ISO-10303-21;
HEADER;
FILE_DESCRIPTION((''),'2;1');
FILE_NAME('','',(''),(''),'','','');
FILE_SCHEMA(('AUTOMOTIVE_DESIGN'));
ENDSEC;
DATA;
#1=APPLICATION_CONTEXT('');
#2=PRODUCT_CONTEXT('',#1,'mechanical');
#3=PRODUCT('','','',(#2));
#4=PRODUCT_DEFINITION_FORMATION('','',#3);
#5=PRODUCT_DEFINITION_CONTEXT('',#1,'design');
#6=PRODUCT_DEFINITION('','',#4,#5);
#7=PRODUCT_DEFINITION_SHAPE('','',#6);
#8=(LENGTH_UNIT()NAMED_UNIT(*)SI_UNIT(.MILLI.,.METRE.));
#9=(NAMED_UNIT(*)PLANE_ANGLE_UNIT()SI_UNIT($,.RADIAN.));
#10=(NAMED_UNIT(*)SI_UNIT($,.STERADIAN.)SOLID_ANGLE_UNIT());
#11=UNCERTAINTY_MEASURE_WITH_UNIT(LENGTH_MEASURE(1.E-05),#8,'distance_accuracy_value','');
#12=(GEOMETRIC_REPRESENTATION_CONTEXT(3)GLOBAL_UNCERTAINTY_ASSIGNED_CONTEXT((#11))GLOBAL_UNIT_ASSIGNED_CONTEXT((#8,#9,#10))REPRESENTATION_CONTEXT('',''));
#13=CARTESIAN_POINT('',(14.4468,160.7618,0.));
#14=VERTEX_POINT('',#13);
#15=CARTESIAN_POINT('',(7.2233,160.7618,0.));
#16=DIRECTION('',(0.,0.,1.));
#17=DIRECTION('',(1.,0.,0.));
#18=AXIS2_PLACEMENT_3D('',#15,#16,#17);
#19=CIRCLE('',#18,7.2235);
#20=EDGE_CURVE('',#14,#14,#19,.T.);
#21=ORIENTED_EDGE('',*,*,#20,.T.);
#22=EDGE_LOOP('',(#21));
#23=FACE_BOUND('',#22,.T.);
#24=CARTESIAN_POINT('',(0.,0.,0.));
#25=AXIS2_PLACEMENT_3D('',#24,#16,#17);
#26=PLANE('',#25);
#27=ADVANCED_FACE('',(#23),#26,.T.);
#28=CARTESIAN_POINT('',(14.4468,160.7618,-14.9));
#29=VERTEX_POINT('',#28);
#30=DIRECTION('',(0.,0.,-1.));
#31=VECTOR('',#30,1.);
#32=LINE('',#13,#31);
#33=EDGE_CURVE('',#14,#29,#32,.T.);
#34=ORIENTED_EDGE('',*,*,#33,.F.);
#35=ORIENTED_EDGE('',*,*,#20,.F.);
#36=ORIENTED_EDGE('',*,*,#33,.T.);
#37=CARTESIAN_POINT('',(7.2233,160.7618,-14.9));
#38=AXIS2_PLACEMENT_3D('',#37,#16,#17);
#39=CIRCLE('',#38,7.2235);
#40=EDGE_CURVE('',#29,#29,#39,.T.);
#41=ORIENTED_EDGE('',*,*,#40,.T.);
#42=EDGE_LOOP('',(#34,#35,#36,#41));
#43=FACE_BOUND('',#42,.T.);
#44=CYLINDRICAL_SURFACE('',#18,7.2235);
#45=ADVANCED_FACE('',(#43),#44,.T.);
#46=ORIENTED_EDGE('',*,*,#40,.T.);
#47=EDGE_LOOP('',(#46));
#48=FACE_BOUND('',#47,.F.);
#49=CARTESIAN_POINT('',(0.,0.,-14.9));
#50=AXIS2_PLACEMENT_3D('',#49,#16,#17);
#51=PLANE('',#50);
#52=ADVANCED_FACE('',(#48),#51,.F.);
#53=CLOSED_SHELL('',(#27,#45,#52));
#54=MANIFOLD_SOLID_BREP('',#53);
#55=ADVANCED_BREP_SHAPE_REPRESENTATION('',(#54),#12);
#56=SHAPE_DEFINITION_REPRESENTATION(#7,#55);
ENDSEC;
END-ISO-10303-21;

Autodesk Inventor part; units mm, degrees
ref_plane "YZ Plane" through (0, 0, 0) normal (1, 0, 0) x (0, 1, 0)
ref_plane "XZ Plane" through (0, 0, 0) normal (0, 1, 0) x (-1, 0, 0)
ref_plane "Work Plane1" through (0, 0, 0) normal (0, 0, 1) x (1, 0, 0)
sketch "Sketch1" plane through (0, 0, 0) normal (0, 0, 1) x (1, 0, 0)
  line L0 (10.525, 153) -> (10.525, -60) projected
  line L1 (14.9, -60) -> (10.525, -60) projected
  line L2 (14.9, 153) -> (14.9, -60) projected
  line L3 (10.525, 153) -> (14.9, 153) projected
  line L4 (4.375, -60) -> (4.375, 153) projected
  line L5 (0, 153) -> (4.375, 153) projected
  line L6 (0, 153) -> (0, -60) projected
  line L7 (4.375, -60) -> (0, -60) projected
  circle A0 centre (7.2233, 160.7618) radius 7.2235
  point P0 (0, 0)
ref_plane "Work Plane2" through (0, -60, -14.9) normal (0, 0, -1) x (0, 1, 0)
extrude "Extrusion1" add sketch "Sketch1" against normal up to surface (14.9 mm away) contours A0
properties part number "Neje_Gear_End"
